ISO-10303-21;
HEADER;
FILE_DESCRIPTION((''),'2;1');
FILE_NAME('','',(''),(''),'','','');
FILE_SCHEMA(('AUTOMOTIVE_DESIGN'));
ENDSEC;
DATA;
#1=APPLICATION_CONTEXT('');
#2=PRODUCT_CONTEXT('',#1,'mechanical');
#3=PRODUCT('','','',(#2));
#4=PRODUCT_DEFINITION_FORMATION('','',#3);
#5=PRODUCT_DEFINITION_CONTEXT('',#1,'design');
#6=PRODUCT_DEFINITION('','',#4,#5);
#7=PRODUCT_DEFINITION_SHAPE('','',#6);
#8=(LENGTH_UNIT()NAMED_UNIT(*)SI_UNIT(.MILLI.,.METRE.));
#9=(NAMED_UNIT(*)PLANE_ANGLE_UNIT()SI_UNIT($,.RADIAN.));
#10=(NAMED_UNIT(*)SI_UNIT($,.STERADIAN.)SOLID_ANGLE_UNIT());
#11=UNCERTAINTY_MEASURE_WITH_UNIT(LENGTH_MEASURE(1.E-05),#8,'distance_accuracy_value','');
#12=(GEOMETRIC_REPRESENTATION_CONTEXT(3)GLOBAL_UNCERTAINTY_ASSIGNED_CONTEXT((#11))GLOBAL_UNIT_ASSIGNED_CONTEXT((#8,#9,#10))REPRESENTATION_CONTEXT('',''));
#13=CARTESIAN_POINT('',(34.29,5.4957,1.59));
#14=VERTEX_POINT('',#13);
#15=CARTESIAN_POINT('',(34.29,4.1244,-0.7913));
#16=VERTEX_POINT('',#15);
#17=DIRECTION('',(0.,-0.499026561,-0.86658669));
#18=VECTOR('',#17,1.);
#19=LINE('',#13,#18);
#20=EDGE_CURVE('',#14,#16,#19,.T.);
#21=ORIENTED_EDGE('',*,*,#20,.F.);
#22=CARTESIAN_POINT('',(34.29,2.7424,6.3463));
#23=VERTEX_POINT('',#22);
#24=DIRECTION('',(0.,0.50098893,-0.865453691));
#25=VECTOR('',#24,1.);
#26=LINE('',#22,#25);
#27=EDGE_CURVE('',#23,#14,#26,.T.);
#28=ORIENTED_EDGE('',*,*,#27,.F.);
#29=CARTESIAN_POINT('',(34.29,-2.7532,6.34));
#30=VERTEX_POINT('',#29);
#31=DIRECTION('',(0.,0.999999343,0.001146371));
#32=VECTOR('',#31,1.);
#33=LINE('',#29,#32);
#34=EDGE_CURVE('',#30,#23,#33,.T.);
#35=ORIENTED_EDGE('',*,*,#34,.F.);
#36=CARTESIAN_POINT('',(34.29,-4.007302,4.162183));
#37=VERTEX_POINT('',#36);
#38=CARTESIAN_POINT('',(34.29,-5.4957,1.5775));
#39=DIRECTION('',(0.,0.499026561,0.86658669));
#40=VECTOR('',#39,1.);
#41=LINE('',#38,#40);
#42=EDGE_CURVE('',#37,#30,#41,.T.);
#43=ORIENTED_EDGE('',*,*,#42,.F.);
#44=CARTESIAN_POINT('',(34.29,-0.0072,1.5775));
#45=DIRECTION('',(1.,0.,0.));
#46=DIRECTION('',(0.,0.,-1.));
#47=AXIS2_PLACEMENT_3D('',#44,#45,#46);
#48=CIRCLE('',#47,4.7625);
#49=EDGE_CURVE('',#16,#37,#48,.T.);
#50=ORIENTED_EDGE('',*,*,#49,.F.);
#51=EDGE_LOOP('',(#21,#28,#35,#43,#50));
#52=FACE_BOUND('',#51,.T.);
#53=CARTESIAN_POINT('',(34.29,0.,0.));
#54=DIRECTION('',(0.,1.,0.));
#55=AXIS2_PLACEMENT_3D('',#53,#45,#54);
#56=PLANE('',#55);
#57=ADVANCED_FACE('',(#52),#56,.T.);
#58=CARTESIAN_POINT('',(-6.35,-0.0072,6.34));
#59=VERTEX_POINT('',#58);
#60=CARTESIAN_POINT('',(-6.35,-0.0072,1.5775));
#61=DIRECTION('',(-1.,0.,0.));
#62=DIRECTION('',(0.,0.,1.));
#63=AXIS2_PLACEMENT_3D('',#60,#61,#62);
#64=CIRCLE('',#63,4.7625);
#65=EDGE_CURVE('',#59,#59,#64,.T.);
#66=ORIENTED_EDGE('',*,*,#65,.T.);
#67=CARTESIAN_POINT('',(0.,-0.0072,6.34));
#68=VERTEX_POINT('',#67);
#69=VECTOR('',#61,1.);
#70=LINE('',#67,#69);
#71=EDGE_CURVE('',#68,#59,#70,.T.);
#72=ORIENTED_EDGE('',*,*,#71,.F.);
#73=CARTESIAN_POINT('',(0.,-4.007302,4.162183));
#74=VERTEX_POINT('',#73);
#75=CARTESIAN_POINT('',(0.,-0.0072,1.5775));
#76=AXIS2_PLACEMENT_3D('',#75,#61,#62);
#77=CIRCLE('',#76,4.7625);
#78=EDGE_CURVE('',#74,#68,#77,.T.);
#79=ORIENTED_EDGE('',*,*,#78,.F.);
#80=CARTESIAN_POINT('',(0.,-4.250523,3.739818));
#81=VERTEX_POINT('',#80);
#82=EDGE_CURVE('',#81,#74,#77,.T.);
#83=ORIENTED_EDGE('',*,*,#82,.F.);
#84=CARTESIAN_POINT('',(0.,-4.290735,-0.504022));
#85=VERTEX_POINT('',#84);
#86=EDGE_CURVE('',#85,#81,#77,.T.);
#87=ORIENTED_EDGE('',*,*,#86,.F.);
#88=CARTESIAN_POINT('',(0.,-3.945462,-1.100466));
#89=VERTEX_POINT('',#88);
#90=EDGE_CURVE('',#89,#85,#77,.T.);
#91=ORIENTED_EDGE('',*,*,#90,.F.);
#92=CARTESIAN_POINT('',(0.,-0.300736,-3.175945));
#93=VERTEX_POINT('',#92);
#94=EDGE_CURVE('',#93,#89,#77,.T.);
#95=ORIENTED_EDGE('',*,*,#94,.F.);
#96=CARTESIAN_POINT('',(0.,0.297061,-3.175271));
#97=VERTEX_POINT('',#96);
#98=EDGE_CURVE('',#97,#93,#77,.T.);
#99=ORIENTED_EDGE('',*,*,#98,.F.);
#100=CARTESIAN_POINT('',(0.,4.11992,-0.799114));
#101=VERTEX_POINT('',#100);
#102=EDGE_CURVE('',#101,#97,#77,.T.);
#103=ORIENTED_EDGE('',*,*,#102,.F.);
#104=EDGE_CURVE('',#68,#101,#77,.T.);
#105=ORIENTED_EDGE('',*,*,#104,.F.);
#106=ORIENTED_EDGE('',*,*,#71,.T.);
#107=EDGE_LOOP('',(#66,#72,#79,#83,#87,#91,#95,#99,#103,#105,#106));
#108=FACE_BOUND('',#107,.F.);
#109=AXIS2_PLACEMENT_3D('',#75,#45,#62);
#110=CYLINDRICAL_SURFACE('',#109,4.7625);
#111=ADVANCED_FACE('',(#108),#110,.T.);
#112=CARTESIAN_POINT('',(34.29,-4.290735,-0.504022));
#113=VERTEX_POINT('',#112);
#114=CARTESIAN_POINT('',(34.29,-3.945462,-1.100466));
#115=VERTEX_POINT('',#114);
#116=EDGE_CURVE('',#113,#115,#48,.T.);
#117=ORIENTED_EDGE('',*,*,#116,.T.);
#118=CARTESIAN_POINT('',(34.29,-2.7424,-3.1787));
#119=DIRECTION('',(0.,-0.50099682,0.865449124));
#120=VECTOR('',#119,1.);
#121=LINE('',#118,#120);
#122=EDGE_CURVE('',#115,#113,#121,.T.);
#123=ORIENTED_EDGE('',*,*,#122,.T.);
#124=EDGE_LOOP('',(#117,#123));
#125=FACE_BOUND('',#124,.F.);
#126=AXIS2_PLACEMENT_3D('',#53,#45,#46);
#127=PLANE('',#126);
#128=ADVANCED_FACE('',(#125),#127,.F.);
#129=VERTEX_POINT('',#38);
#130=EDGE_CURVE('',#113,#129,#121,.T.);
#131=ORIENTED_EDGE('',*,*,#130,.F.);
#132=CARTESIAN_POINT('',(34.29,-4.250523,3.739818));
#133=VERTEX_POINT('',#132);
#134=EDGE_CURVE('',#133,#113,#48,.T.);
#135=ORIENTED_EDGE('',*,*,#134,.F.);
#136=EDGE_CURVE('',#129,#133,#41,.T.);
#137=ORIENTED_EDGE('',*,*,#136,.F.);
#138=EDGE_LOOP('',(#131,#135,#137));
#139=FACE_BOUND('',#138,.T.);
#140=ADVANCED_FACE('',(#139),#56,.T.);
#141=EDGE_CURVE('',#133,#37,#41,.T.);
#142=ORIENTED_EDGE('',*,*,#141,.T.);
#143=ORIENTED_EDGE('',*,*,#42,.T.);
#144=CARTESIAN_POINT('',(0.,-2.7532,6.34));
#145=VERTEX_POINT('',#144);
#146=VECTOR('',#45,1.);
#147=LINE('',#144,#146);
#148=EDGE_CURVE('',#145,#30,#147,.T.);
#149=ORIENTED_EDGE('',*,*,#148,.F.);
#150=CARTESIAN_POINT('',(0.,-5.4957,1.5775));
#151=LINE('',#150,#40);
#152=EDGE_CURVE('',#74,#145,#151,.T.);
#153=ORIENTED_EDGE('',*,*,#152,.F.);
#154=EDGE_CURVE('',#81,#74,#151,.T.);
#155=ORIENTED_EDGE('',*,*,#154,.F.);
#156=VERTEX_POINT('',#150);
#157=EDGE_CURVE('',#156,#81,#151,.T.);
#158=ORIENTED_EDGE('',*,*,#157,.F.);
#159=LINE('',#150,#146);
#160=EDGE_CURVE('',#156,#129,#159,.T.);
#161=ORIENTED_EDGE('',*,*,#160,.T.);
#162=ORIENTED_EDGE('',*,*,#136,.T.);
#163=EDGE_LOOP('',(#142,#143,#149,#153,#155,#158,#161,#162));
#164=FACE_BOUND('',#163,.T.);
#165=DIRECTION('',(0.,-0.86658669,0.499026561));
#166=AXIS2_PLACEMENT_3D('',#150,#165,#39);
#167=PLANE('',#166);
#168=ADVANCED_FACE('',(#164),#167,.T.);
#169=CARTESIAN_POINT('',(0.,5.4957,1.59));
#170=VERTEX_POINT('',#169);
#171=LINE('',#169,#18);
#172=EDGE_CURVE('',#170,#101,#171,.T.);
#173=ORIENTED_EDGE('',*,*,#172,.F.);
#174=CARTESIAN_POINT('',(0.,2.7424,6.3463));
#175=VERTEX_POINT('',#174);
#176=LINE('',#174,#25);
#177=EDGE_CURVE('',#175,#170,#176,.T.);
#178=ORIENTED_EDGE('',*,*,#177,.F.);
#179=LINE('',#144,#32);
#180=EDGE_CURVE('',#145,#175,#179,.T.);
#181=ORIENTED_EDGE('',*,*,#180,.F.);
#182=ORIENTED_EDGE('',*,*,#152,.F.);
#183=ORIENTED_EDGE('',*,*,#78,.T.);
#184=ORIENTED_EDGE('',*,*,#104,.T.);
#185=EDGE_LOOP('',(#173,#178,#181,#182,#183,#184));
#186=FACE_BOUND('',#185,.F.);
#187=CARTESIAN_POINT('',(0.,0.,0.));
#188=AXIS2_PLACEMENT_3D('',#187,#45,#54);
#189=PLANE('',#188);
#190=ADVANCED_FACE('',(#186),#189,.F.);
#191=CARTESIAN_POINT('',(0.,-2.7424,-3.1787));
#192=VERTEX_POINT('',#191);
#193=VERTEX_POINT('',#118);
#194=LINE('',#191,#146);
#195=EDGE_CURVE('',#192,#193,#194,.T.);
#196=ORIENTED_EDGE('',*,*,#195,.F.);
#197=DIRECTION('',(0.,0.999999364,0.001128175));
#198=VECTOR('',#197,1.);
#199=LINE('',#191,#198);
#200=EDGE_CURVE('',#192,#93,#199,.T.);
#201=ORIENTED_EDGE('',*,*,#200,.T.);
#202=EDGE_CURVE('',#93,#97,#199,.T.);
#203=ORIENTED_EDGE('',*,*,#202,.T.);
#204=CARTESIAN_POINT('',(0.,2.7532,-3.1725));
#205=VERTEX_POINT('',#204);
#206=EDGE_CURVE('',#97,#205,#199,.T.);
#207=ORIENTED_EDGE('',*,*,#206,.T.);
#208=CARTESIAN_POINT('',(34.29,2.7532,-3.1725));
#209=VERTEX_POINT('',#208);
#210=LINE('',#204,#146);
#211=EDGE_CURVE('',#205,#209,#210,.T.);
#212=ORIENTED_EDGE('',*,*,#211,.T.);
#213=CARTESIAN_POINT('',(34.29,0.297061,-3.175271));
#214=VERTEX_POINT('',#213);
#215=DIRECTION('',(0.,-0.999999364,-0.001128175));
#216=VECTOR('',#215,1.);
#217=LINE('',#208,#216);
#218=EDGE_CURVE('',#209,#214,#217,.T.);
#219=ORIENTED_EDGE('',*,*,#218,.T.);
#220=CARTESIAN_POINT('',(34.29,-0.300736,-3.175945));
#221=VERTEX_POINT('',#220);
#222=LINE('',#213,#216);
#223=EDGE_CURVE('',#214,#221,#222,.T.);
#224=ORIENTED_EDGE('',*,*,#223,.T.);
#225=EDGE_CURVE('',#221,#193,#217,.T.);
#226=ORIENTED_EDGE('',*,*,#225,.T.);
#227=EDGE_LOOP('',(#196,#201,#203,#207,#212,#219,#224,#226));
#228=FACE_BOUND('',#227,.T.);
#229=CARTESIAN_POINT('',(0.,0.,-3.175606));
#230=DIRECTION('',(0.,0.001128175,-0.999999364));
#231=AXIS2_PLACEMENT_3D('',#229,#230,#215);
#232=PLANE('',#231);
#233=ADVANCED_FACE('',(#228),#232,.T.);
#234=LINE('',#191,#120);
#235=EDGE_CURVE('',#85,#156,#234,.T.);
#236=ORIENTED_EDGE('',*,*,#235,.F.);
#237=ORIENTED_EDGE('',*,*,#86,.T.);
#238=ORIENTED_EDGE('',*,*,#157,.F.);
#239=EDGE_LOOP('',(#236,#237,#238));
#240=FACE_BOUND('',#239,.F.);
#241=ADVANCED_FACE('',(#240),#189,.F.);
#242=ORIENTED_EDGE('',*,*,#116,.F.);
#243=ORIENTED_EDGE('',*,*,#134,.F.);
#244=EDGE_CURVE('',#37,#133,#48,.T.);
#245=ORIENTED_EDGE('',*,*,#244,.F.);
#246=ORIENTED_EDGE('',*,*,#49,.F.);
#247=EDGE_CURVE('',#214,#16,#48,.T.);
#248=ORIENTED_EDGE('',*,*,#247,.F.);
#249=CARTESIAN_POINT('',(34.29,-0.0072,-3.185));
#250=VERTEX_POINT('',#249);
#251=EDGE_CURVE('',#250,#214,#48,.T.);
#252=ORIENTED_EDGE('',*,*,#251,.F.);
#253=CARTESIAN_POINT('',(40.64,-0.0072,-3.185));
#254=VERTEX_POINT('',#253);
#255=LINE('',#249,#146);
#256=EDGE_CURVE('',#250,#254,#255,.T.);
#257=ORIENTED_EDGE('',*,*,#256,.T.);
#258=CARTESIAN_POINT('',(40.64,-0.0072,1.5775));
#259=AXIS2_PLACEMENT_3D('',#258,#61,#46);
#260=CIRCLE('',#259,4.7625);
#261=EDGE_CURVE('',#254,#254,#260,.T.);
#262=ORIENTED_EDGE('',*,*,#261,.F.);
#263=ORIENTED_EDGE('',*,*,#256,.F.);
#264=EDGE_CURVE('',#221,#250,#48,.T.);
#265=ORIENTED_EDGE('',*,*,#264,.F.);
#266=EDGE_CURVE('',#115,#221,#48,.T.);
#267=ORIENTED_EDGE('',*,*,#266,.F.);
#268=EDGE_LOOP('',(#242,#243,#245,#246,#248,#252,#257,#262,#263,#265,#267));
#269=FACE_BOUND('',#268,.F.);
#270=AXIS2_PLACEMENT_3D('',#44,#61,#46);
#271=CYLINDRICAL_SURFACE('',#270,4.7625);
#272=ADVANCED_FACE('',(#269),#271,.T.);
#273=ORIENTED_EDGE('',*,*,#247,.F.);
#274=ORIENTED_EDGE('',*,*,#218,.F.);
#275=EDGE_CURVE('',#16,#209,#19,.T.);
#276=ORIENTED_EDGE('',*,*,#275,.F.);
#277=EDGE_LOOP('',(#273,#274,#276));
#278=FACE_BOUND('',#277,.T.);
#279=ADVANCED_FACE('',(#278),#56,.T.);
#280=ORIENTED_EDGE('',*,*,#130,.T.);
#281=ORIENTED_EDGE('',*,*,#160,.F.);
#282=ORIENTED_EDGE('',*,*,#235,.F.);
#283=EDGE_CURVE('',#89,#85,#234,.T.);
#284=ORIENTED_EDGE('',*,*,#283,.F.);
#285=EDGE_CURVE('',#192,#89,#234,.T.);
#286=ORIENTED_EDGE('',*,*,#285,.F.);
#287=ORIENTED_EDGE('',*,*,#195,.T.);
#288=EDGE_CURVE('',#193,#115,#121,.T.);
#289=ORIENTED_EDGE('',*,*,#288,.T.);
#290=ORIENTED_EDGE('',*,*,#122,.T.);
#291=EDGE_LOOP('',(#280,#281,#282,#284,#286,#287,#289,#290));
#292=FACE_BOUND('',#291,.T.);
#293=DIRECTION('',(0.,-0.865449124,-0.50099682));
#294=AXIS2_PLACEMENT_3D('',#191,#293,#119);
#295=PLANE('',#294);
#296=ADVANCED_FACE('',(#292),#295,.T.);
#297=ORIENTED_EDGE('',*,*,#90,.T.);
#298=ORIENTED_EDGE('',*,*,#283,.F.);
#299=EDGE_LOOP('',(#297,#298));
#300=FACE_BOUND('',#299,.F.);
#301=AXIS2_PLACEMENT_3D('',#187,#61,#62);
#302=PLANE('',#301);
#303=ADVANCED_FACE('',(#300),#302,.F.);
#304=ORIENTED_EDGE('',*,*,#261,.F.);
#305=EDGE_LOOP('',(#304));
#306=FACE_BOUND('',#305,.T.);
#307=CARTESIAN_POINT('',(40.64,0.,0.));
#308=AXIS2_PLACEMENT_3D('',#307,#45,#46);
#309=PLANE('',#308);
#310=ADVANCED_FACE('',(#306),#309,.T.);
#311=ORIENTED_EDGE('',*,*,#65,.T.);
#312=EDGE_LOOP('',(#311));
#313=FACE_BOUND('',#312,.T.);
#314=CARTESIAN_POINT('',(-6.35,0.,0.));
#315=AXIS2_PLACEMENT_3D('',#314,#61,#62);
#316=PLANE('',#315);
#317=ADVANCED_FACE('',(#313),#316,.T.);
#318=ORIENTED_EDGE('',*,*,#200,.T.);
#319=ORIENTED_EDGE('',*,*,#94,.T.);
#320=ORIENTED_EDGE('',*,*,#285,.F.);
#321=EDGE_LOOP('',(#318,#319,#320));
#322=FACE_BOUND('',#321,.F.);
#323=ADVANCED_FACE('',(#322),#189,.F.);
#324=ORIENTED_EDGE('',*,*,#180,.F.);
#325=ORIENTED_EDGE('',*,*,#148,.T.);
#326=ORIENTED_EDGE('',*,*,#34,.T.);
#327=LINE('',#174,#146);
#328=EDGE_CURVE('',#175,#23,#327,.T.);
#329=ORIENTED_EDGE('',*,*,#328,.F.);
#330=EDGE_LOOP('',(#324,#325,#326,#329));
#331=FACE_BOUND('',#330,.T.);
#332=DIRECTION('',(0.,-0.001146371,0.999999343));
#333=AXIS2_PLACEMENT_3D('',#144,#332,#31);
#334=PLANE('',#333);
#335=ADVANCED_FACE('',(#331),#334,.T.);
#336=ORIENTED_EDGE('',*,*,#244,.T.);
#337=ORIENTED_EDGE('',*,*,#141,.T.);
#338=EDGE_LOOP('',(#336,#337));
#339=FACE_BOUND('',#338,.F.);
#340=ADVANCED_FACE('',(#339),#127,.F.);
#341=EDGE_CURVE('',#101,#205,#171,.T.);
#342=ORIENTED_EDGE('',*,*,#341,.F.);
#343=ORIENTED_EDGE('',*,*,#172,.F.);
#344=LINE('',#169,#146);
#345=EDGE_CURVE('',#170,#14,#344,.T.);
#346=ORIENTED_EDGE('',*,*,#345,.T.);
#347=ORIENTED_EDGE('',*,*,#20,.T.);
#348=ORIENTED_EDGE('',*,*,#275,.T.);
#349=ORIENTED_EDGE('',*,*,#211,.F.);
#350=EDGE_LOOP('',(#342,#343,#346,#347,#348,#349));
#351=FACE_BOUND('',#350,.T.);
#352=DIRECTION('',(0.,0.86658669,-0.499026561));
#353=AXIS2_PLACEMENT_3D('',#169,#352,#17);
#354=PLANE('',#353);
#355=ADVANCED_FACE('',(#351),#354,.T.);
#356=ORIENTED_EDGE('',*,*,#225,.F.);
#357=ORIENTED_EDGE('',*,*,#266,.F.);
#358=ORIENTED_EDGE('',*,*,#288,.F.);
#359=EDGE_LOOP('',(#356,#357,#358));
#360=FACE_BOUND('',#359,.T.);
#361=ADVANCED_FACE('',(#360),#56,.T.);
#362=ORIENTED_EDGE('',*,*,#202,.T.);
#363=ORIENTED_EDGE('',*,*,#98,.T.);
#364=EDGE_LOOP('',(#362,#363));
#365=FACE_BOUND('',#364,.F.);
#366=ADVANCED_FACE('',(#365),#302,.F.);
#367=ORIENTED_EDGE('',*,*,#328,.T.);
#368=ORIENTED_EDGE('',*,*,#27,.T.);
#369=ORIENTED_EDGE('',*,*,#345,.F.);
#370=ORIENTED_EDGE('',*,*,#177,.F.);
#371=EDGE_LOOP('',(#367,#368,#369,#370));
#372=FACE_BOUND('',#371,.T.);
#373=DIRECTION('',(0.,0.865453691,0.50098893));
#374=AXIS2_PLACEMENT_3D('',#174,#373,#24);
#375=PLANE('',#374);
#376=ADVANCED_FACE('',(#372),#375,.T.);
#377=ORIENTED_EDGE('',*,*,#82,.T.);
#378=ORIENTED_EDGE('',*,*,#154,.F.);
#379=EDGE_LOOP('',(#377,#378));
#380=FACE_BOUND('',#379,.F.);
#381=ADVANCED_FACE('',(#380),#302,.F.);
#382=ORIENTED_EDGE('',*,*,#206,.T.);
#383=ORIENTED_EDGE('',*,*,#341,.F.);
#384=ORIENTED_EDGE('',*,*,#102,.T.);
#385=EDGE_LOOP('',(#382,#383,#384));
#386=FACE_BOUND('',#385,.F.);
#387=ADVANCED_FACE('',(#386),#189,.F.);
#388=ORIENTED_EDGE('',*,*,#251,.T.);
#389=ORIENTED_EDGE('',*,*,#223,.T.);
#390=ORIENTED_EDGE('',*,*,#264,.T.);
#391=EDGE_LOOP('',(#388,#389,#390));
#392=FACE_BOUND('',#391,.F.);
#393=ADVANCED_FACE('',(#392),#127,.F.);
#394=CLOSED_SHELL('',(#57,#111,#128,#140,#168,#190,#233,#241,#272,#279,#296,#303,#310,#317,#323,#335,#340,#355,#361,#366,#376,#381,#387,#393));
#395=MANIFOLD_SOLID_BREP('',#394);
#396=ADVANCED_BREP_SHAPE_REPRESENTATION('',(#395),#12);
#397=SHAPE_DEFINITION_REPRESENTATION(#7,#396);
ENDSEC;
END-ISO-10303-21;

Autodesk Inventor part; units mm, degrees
ref_plane "YZ Plane" through (0, 0, 0) normal (1, 0, 0) x (0, 1, 0)
ref_plane "XZ Plane" through (0, 0, 0) normal (0, 1, 0) x (-1, 0, 0)
ref_plane "XY Plane" through (0, 0, 0) normal (0, 0, 1) x (1, 0, 0)
sketch "Sketch1" plane through (0, 0, 0) normal (1, 0, 0) x (0, 1, 0)
  line L0 (0, 1.5838) -> (0, -3.1787)
  line L1 (-2.7424, -3.1787) -> (-5.4957, 1.5775)
  line L2 (-5.4957, 1.5775) -> (-2.7532, 6.34)
  line L3 (-2.7532, 6.34) -> (2.7424, 6.3463)
  line L4 (2.7424, 6.3463) -> (5.4957, 1.59)
  line L5 (5.4957, 1.59) -> (2.7532, -3.1725)
  line L6 (2.7532, -3.1725) -> (-2.7424, -3.1787)
  point P0 (0, 0)
  dimension "d0" = 4.7625
extrude "Extrusion1" add sketch "Sketch1" along normal blind 34.29
sketch "Sketch2" plane through (34.29, 0, 0) normal (1, 0, 0) x (0, 0, -1)
  line L0 (3.1725, 2.7532) -> (-1.59, 5.4957) projected
  line L1 (0.7913, 4.1244) -> (-1.5775, -0.0072)
  circle A0 centre (-1.5775, -0.0072) radius 4.7625
  point P0 (0, 0)
  dimension "d3" = 4.7625
extrude "Extrusion2" add sketch "Sketch2" along normal blind 6.35
sketch "Sketch3" plane through (0, 0, 0) normal (-1, 0, 0) x (0, 0, 1)
  line L0 (-1.0999, -3.9458) -> (-3.1787, -2.7424) construction
  arc A0 (4.1618, -4.0075) -> (-0.799, 4.12) centre (1.5775, -0.0072) ccw construction
  line L1 (-1.0999, -3.9458) -> (1.5775, -0.0072) construction
  circle A1 centre (1.5775, -0.0072) radius 4.7625
  point P0 (0, 0)
  dimension "d6" = 4.7625
extrude "Extrusion3" add sketch "Sketch3" along normal blind 6.35
properties part number "Hex Shaft"
